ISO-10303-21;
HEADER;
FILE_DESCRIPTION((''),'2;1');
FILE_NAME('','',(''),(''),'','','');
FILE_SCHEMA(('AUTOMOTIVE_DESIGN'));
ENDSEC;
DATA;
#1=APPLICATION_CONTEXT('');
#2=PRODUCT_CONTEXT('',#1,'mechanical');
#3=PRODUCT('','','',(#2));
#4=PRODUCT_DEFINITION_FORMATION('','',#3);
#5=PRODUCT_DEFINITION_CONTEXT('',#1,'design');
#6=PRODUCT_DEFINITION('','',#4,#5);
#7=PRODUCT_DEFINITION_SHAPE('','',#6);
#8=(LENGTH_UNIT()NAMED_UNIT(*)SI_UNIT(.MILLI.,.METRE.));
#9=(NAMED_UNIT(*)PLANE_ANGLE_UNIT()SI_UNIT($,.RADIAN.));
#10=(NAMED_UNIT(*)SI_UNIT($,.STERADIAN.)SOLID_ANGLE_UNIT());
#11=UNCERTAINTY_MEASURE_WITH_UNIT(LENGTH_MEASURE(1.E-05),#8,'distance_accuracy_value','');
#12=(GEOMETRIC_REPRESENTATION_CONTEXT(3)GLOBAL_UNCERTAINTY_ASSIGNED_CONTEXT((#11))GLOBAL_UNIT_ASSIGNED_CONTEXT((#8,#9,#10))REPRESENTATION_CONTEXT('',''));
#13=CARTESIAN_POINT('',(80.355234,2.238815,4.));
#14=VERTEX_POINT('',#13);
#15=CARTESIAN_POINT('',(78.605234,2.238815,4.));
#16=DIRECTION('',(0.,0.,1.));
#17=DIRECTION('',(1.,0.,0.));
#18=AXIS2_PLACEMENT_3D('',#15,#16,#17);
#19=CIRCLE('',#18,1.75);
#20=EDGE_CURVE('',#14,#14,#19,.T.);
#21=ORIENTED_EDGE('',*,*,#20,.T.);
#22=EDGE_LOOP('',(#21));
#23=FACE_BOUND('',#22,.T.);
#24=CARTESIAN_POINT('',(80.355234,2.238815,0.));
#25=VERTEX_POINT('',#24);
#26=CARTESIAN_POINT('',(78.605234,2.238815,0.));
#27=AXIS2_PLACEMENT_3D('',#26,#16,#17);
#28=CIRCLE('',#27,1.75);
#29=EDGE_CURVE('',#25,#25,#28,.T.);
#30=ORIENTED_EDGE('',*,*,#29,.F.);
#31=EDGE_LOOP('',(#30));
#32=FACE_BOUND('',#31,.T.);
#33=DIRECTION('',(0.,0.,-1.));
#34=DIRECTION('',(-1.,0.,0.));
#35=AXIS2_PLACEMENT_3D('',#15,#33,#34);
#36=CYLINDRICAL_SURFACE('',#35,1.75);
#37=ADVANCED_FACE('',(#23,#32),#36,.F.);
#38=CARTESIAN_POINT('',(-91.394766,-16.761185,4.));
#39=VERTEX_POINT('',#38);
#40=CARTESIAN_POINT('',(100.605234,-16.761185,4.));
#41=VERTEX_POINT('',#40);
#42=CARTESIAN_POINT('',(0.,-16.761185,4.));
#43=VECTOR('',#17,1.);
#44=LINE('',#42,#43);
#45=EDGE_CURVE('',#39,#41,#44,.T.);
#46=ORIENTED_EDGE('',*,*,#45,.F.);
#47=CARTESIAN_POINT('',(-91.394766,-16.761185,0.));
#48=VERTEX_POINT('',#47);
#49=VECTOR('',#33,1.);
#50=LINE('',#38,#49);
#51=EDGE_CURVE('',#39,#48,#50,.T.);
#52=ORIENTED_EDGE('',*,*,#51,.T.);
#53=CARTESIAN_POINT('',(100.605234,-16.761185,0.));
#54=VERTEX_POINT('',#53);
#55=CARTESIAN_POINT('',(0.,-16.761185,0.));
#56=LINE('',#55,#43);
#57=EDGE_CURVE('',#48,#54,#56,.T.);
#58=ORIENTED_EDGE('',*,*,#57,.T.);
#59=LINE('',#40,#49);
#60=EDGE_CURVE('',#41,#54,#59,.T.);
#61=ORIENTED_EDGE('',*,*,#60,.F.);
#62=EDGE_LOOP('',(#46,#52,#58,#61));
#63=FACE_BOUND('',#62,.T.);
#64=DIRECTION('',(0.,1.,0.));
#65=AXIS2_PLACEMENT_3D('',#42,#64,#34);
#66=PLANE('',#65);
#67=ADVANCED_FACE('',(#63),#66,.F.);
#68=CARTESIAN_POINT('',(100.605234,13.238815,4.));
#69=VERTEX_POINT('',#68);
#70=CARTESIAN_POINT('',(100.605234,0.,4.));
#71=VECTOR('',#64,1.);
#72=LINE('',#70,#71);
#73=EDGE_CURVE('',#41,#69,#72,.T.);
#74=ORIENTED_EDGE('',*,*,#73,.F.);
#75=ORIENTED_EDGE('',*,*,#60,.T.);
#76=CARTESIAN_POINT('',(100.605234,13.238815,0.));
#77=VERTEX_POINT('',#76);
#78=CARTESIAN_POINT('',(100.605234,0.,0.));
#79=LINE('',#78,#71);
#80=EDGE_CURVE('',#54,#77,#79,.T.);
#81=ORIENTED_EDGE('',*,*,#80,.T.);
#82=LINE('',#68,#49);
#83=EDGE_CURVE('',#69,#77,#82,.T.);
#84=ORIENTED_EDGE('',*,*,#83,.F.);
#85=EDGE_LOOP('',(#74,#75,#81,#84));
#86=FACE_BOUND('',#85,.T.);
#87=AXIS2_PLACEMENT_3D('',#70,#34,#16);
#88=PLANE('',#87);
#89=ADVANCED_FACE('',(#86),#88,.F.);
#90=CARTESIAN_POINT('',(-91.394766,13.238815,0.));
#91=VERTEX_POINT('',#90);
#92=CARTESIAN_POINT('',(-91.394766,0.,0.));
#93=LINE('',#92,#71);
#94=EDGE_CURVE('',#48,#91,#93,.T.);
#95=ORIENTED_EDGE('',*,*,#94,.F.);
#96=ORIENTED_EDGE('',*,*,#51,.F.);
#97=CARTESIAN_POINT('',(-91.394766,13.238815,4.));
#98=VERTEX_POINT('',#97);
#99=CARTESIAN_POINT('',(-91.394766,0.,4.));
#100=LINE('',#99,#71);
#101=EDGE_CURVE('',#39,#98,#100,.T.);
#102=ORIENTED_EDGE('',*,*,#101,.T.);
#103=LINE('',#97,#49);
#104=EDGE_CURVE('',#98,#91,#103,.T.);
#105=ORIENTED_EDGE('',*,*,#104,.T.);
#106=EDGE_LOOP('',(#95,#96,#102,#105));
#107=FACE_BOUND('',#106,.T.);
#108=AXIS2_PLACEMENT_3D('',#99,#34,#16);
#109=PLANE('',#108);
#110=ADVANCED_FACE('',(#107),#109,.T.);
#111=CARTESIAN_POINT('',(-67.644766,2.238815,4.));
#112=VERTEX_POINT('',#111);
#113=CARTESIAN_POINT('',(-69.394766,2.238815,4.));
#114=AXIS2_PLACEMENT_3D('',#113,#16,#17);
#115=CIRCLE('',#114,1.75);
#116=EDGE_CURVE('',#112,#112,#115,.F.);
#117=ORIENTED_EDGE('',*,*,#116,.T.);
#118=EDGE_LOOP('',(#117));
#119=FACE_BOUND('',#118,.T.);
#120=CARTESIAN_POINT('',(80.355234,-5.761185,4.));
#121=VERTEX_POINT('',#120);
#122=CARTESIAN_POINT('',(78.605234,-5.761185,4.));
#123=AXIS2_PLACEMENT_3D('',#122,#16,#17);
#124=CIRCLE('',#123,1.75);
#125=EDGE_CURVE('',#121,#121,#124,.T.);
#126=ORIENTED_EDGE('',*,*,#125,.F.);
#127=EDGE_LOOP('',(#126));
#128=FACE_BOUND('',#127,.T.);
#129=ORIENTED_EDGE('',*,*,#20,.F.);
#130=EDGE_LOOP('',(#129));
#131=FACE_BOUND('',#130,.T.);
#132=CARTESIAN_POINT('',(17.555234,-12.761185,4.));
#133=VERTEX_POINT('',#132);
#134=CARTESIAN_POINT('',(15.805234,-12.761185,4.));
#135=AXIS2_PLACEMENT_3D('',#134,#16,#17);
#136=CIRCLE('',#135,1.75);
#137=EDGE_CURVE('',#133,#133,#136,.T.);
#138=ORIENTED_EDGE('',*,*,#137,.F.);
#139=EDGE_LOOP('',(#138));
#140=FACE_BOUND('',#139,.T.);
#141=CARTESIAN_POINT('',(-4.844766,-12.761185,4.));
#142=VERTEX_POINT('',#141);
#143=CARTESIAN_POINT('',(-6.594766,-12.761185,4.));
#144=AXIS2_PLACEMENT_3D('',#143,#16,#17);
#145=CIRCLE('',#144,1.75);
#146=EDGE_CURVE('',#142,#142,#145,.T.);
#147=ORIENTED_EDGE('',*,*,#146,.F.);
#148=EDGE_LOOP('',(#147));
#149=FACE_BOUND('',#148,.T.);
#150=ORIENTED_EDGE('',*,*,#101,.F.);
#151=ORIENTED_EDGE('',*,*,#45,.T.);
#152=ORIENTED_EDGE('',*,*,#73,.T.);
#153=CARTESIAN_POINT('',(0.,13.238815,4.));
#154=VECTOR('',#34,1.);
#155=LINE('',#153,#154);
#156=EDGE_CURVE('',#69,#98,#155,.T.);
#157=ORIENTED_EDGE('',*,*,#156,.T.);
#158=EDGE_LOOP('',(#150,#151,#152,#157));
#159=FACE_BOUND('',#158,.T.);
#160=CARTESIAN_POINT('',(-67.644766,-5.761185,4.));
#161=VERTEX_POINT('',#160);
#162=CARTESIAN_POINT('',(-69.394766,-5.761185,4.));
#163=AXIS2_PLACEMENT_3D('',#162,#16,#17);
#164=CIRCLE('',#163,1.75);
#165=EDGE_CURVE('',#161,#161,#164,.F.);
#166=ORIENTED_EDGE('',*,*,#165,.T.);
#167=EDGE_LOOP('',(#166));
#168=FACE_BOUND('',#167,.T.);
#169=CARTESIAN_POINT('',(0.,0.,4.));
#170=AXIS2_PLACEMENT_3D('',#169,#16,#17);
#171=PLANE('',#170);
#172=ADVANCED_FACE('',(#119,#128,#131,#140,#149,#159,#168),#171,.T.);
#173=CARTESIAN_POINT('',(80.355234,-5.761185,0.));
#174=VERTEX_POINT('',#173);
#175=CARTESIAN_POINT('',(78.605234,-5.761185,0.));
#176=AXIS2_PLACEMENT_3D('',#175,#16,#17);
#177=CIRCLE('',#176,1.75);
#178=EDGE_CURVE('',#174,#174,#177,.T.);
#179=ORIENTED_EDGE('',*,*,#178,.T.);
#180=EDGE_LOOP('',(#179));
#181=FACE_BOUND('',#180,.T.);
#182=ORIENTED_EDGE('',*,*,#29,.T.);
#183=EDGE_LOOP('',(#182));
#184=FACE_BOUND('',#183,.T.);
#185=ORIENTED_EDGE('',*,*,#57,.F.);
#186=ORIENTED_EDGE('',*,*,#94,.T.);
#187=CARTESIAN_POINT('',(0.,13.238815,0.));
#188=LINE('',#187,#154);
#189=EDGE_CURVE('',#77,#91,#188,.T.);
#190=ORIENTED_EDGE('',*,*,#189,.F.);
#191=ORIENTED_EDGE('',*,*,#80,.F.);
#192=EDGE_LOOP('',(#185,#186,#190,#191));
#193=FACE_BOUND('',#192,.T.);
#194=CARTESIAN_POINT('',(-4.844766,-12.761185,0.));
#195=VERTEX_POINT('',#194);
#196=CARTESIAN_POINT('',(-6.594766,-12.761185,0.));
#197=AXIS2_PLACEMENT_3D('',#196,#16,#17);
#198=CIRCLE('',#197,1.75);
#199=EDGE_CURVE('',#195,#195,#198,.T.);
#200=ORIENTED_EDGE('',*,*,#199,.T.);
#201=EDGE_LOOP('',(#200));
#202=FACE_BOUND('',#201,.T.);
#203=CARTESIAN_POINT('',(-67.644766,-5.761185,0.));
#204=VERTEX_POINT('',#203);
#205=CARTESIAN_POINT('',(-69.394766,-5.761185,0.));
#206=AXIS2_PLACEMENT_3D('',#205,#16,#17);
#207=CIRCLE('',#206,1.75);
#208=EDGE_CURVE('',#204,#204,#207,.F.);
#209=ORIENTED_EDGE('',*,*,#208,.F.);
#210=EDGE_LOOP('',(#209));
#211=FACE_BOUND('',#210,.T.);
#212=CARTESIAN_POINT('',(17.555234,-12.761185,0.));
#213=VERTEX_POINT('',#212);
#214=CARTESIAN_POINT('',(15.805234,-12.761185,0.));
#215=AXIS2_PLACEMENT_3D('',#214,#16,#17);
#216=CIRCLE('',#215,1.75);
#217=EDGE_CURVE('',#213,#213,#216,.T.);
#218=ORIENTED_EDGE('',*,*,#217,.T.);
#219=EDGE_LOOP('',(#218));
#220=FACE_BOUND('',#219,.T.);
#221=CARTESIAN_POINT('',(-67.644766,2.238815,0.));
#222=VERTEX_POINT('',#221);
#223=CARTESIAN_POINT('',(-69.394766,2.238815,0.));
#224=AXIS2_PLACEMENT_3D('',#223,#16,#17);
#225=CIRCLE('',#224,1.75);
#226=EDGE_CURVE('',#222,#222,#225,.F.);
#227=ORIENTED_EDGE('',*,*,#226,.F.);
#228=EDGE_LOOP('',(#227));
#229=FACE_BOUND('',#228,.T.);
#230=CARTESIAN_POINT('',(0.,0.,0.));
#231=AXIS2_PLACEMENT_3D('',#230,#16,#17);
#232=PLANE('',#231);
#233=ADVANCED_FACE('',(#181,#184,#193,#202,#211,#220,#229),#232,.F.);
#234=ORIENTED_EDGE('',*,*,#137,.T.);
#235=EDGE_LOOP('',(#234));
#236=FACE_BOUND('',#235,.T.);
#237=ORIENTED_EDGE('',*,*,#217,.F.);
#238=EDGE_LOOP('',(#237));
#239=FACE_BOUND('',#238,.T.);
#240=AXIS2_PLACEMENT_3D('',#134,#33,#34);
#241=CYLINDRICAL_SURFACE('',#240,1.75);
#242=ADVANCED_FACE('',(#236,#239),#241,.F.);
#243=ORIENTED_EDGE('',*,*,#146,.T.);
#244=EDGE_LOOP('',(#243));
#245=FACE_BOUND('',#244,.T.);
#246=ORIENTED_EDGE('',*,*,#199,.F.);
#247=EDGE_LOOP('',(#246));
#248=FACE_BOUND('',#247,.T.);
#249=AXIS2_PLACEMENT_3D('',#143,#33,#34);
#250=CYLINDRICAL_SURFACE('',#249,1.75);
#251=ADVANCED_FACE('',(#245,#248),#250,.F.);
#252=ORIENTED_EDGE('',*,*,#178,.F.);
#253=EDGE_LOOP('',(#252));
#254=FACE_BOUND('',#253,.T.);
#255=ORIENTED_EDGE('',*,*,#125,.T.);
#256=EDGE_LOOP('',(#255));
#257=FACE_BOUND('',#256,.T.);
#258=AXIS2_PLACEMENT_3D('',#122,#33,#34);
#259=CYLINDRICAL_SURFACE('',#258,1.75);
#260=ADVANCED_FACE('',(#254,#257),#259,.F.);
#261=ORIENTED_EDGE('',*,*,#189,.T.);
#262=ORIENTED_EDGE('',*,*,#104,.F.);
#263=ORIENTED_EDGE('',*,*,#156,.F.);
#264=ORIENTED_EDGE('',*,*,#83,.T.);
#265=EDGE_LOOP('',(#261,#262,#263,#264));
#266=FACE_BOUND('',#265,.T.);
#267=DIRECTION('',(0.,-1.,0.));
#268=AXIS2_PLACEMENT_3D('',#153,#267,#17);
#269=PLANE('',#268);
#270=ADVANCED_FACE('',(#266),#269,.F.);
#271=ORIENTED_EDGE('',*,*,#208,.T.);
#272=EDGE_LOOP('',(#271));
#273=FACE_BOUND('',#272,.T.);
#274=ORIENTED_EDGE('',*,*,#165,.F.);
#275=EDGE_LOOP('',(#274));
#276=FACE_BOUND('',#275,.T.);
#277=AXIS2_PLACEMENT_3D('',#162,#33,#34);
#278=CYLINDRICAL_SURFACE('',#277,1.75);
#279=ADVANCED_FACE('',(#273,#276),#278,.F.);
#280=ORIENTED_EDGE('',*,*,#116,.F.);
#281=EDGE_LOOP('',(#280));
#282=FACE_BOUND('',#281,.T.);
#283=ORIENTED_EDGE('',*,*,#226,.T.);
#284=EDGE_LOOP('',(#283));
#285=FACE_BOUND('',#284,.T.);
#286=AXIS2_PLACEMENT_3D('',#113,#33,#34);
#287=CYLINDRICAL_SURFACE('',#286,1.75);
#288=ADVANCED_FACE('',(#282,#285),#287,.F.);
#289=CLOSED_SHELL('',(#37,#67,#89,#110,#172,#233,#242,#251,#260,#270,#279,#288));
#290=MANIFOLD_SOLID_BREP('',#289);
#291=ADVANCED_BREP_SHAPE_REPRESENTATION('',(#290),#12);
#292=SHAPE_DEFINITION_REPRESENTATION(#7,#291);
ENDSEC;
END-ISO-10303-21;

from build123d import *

# Parameters (mm, degrees)
SKETCH_1_R      = 1.75
SKETCH_1_W      = 29
SKETCH_1_H      = 7
EXTRUDE_2_DEPTH = 4


with BuildPart() as part:
    # 스케치1 → 보스-돌출2 (new body)
    # profile 1 of 2: a face of its own
    with BuildSketch(Plane.XY):
        Polygon((-91.394765949, 13.238815007), (-91.394765949, -16.761184993), (-9.894765949, -16.761184993), (-9.894765949, -9.761184993), (19.105234051, -9.761184993), (19.105234051, -16.761184993), (100.605234051, -16.761184993), (100.605234051, 13.238815007), align=None)
        with Locations((-69.394765949, -5.761184993)):
            Circle(SKETCH_1_R, mode=Mode.SUBTRACT)
        with Locations((78.605234051, -5.761184993)):
            Circle(SKETCH_1_R, mode=Mode.SUBTRACT)
        with Locations((-69.394765949, 2.238815007)):
            Circle(SKETCH_1_R, mode=Mode.SUBTRACT)
        with Locations((78.605234051, 2.238815007)):
            Circle(SKETCH_1_R, mode=Mode.SUBTRACT)
    # profile 2 of 2: a face of its own
    with BuildSketch(Plane.XY):
        with Locations((4.605234051, -13.261184993)):
            Rectangle(SKETCH_1_W, SKETCH_1_H)
        with Locations((-6.594765949, -12.761184993)):
            Circle(SKETCH_1_R, mode=Mode.SUBTRACT)
        with Locations((15.805234051, -12.761184993)):
            Circle(SKETCH_1_R, mode=Mode.SUBTRACT)
    extrude(amount=EXTRUDE_2_DEPTH)


solid = part.part
